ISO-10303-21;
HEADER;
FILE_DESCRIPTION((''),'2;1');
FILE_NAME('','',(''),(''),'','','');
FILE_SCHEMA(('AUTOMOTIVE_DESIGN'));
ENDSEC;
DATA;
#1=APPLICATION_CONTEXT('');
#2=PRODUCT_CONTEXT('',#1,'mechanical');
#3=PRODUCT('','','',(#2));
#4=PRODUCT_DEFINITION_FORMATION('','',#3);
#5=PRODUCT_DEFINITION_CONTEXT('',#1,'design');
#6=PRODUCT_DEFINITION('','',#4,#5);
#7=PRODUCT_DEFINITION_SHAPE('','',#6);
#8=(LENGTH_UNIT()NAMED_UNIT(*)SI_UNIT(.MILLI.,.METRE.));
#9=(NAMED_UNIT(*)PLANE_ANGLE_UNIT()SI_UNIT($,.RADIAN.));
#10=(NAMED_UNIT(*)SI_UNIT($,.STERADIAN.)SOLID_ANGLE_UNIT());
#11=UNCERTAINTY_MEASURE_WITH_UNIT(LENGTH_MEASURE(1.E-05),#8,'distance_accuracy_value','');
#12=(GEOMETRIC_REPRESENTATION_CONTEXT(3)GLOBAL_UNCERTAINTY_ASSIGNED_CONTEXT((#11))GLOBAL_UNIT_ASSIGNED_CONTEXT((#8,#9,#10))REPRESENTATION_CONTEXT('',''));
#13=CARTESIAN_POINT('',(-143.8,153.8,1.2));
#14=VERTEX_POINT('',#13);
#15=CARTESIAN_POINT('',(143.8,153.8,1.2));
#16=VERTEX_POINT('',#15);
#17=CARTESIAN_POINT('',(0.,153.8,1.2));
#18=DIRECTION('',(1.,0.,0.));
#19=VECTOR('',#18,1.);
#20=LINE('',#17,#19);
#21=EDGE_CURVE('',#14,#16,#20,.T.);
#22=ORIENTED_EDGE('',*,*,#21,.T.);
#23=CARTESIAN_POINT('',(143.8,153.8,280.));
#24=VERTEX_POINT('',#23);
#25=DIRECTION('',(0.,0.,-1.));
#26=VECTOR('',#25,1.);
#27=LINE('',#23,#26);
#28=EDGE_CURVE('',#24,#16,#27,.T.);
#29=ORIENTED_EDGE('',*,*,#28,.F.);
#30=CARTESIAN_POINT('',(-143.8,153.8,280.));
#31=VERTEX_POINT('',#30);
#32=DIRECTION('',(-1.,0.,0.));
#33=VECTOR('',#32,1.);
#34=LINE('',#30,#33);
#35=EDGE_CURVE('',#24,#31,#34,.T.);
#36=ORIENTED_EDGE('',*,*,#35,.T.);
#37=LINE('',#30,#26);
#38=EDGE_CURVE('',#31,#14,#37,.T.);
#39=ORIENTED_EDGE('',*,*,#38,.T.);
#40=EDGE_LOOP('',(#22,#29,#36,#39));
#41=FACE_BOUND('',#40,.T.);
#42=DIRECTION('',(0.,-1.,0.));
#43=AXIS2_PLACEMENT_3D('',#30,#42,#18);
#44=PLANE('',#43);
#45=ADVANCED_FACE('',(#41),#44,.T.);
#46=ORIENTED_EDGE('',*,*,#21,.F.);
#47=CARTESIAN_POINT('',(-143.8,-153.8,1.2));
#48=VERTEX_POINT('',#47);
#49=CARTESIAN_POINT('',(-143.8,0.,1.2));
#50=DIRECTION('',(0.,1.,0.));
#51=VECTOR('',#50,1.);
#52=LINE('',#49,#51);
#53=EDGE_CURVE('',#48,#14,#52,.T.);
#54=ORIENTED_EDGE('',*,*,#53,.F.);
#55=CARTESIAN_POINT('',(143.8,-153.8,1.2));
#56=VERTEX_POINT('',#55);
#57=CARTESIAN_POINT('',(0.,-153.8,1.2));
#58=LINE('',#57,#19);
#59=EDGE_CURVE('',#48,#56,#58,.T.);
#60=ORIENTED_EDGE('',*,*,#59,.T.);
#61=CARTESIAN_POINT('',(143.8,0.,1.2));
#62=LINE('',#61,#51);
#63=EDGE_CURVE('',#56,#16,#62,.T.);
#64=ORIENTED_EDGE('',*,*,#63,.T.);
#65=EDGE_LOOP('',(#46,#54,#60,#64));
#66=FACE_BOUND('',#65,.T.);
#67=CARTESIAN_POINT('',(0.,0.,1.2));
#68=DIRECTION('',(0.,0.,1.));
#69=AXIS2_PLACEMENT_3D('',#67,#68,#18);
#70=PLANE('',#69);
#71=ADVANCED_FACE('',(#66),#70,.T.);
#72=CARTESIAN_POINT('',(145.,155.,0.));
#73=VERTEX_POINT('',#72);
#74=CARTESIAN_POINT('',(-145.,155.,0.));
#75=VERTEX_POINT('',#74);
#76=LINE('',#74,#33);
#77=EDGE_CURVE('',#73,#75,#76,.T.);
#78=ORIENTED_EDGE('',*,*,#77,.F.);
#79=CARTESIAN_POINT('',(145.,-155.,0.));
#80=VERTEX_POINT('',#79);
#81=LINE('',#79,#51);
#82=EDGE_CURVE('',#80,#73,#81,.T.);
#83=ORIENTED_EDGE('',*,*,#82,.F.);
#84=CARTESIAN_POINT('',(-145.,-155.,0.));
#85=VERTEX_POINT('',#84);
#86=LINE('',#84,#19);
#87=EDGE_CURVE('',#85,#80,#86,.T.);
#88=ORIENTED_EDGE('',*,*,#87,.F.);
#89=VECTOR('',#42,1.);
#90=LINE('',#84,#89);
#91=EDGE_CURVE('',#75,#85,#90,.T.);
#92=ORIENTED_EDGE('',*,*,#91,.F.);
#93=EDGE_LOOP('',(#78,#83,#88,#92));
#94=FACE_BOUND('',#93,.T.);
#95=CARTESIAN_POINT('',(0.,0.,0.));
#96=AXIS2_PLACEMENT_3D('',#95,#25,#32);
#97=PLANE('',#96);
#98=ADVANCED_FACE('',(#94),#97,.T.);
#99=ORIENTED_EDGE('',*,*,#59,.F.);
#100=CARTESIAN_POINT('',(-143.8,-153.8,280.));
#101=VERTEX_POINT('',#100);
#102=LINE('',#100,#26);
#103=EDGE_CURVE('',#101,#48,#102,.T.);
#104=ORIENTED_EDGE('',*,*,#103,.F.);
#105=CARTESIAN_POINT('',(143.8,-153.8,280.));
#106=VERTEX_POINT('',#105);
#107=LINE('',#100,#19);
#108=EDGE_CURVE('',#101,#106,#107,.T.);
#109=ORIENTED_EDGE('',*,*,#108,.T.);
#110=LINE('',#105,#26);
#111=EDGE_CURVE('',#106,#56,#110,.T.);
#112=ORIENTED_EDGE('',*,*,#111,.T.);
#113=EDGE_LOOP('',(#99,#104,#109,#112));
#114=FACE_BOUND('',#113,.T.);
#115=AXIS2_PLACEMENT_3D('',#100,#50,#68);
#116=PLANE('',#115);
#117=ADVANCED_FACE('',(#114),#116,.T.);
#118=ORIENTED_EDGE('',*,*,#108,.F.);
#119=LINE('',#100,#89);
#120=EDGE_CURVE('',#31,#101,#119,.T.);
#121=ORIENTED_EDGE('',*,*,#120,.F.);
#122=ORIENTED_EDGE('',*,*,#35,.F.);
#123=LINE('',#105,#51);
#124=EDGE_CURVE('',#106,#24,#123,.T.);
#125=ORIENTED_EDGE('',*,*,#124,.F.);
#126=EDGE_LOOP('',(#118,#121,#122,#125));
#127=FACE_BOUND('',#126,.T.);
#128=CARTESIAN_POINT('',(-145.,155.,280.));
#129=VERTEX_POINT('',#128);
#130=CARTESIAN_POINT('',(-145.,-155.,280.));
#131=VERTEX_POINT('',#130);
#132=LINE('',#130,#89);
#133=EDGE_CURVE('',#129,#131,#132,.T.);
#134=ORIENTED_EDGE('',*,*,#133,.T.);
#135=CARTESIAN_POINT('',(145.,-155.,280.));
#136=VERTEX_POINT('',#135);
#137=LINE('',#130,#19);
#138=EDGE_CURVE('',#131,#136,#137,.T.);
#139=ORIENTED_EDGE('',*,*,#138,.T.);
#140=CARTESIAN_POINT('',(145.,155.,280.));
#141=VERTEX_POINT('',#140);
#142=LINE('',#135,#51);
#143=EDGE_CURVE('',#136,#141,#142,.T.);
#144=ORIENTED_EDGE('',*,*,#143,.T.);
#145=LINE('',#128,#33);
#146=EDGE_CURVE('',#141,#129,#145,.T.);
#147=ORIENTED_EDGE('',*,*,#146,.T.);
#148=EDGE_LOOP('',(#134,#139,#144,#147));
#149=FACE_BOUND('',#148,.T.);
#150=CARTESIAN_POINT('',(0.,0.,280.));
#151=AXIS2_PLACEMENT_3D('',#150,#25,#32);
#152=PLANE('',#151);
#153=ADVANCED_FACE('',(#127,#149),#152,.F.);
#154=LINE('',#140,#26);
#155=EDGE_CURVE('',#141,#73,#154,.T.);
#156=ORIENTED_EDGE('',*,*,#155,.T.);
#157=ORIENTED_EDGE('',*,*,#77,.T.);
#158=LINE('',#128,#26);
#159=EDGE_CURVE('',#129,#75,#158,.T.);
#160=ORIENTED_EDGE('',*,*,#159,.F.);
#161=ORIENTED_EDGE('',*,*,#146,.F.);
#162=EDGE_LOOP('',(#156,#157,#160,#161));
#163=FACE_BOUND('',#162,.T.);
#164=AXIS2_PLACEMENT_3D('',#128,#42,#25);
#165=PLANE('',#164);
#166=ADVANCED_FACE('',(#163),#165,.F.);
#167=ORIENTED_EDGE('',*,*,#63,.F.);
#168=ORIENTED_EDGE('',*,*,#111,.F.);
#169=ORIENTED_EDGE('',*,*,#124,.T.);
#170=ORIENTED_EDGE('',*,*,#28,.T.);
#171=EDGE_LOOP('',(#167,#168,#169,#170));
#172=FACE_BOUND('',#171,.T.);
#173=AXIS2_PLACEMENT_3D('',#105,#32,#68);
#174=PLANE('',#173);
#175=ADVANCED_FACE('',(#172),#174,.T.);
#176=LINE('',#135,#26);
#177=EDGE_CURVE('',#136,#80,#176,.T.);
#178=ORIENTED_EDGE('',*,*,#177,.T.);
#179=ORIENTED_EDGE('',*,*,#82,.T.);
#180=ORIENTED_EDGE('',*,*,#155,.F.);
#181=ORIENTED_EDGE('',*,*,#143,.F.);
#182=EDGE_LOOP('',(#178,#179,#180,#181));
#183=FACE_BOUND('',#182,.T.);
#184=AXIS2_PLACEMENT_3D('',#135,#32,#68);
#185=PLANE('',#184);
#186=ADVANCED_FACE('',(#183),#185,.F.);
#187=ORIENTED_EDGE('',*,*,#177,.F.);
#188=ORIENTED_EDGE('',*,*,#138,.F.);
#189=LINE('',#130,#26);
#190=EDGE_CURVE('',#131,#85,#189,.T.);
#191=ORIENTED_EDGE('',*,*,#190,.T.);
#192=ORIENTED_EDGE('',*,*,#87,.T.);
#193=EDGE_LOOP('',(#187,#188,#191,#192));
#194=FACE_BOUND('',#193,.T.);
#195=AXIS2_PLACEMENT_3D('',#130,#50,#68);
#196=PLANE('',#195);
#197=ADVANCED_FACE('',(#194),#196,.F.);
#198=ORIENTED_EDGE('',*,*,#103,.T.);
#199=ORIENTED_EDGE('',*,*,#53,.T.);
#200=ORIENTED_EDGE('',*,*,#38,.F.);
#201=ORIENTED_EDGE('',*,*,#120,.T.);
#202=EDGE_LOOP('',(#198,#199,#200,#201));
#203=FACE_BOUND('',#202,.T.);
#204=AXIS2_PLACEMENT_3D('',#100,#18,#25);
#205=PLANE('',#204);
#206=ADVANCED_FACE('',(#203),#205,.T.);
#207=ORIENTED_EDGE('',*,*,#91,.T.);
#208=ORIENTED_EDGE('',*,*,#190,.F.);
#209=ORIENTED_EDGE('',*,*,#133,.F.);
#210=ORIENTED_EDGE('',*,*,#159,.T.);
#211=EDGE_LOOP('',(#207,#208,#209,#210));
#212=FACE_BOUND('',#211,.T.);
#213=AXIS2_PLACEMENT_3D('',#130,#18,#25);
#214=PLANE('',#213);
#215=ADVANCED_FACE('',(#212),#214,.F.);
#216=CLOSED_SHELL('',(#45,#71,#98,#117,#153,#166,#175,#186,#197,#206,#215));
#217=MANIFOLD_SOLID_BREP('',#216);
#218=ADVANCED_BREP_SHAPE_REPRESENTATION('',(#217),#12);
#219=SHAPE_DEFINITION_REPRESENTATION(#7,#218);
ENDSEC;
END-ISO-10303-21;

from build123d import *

# Parameters (mm, degrees)
ESQUISSE1_W        = 290
ESQUISSE1_H        = 310
ESQUISSE1_W_2      = 287.6
ESQUISSE1_H_2      = 307.6
BOSS_EXTRU_1_DEPTH = 280
ESQUISSE1_2_W      = 287.6
ESQUISSE1_2_H      = 307.6
BOSS_EXTRU_2_DEPTH = 1.2


with BuildPart() as part:
    # Esquisse1 → Boss.-Extru.1 (new body)
    with BuildSketch(Plane.XY):
        Rectangle(ESQUISSE1_W, ESQUISSE1_H)
        Rectangle(ESQUISSE1_W_2, ESQUISSE1_H_2, mode=Mode.SUBTRACT)
    extrude(amount=BOSS_EXTRU_1_DEPTH)

    # Esquisse1<2> → Boss.-Extru.2 (add)
    with BuildSketch(Plane.XY):
        Rectangle(ESQUISSE1_2_W, ESQUISSE1_2_H)
    extrude(amount=BOSS_EXTRU_2_DEPTH)


solid = part.part
